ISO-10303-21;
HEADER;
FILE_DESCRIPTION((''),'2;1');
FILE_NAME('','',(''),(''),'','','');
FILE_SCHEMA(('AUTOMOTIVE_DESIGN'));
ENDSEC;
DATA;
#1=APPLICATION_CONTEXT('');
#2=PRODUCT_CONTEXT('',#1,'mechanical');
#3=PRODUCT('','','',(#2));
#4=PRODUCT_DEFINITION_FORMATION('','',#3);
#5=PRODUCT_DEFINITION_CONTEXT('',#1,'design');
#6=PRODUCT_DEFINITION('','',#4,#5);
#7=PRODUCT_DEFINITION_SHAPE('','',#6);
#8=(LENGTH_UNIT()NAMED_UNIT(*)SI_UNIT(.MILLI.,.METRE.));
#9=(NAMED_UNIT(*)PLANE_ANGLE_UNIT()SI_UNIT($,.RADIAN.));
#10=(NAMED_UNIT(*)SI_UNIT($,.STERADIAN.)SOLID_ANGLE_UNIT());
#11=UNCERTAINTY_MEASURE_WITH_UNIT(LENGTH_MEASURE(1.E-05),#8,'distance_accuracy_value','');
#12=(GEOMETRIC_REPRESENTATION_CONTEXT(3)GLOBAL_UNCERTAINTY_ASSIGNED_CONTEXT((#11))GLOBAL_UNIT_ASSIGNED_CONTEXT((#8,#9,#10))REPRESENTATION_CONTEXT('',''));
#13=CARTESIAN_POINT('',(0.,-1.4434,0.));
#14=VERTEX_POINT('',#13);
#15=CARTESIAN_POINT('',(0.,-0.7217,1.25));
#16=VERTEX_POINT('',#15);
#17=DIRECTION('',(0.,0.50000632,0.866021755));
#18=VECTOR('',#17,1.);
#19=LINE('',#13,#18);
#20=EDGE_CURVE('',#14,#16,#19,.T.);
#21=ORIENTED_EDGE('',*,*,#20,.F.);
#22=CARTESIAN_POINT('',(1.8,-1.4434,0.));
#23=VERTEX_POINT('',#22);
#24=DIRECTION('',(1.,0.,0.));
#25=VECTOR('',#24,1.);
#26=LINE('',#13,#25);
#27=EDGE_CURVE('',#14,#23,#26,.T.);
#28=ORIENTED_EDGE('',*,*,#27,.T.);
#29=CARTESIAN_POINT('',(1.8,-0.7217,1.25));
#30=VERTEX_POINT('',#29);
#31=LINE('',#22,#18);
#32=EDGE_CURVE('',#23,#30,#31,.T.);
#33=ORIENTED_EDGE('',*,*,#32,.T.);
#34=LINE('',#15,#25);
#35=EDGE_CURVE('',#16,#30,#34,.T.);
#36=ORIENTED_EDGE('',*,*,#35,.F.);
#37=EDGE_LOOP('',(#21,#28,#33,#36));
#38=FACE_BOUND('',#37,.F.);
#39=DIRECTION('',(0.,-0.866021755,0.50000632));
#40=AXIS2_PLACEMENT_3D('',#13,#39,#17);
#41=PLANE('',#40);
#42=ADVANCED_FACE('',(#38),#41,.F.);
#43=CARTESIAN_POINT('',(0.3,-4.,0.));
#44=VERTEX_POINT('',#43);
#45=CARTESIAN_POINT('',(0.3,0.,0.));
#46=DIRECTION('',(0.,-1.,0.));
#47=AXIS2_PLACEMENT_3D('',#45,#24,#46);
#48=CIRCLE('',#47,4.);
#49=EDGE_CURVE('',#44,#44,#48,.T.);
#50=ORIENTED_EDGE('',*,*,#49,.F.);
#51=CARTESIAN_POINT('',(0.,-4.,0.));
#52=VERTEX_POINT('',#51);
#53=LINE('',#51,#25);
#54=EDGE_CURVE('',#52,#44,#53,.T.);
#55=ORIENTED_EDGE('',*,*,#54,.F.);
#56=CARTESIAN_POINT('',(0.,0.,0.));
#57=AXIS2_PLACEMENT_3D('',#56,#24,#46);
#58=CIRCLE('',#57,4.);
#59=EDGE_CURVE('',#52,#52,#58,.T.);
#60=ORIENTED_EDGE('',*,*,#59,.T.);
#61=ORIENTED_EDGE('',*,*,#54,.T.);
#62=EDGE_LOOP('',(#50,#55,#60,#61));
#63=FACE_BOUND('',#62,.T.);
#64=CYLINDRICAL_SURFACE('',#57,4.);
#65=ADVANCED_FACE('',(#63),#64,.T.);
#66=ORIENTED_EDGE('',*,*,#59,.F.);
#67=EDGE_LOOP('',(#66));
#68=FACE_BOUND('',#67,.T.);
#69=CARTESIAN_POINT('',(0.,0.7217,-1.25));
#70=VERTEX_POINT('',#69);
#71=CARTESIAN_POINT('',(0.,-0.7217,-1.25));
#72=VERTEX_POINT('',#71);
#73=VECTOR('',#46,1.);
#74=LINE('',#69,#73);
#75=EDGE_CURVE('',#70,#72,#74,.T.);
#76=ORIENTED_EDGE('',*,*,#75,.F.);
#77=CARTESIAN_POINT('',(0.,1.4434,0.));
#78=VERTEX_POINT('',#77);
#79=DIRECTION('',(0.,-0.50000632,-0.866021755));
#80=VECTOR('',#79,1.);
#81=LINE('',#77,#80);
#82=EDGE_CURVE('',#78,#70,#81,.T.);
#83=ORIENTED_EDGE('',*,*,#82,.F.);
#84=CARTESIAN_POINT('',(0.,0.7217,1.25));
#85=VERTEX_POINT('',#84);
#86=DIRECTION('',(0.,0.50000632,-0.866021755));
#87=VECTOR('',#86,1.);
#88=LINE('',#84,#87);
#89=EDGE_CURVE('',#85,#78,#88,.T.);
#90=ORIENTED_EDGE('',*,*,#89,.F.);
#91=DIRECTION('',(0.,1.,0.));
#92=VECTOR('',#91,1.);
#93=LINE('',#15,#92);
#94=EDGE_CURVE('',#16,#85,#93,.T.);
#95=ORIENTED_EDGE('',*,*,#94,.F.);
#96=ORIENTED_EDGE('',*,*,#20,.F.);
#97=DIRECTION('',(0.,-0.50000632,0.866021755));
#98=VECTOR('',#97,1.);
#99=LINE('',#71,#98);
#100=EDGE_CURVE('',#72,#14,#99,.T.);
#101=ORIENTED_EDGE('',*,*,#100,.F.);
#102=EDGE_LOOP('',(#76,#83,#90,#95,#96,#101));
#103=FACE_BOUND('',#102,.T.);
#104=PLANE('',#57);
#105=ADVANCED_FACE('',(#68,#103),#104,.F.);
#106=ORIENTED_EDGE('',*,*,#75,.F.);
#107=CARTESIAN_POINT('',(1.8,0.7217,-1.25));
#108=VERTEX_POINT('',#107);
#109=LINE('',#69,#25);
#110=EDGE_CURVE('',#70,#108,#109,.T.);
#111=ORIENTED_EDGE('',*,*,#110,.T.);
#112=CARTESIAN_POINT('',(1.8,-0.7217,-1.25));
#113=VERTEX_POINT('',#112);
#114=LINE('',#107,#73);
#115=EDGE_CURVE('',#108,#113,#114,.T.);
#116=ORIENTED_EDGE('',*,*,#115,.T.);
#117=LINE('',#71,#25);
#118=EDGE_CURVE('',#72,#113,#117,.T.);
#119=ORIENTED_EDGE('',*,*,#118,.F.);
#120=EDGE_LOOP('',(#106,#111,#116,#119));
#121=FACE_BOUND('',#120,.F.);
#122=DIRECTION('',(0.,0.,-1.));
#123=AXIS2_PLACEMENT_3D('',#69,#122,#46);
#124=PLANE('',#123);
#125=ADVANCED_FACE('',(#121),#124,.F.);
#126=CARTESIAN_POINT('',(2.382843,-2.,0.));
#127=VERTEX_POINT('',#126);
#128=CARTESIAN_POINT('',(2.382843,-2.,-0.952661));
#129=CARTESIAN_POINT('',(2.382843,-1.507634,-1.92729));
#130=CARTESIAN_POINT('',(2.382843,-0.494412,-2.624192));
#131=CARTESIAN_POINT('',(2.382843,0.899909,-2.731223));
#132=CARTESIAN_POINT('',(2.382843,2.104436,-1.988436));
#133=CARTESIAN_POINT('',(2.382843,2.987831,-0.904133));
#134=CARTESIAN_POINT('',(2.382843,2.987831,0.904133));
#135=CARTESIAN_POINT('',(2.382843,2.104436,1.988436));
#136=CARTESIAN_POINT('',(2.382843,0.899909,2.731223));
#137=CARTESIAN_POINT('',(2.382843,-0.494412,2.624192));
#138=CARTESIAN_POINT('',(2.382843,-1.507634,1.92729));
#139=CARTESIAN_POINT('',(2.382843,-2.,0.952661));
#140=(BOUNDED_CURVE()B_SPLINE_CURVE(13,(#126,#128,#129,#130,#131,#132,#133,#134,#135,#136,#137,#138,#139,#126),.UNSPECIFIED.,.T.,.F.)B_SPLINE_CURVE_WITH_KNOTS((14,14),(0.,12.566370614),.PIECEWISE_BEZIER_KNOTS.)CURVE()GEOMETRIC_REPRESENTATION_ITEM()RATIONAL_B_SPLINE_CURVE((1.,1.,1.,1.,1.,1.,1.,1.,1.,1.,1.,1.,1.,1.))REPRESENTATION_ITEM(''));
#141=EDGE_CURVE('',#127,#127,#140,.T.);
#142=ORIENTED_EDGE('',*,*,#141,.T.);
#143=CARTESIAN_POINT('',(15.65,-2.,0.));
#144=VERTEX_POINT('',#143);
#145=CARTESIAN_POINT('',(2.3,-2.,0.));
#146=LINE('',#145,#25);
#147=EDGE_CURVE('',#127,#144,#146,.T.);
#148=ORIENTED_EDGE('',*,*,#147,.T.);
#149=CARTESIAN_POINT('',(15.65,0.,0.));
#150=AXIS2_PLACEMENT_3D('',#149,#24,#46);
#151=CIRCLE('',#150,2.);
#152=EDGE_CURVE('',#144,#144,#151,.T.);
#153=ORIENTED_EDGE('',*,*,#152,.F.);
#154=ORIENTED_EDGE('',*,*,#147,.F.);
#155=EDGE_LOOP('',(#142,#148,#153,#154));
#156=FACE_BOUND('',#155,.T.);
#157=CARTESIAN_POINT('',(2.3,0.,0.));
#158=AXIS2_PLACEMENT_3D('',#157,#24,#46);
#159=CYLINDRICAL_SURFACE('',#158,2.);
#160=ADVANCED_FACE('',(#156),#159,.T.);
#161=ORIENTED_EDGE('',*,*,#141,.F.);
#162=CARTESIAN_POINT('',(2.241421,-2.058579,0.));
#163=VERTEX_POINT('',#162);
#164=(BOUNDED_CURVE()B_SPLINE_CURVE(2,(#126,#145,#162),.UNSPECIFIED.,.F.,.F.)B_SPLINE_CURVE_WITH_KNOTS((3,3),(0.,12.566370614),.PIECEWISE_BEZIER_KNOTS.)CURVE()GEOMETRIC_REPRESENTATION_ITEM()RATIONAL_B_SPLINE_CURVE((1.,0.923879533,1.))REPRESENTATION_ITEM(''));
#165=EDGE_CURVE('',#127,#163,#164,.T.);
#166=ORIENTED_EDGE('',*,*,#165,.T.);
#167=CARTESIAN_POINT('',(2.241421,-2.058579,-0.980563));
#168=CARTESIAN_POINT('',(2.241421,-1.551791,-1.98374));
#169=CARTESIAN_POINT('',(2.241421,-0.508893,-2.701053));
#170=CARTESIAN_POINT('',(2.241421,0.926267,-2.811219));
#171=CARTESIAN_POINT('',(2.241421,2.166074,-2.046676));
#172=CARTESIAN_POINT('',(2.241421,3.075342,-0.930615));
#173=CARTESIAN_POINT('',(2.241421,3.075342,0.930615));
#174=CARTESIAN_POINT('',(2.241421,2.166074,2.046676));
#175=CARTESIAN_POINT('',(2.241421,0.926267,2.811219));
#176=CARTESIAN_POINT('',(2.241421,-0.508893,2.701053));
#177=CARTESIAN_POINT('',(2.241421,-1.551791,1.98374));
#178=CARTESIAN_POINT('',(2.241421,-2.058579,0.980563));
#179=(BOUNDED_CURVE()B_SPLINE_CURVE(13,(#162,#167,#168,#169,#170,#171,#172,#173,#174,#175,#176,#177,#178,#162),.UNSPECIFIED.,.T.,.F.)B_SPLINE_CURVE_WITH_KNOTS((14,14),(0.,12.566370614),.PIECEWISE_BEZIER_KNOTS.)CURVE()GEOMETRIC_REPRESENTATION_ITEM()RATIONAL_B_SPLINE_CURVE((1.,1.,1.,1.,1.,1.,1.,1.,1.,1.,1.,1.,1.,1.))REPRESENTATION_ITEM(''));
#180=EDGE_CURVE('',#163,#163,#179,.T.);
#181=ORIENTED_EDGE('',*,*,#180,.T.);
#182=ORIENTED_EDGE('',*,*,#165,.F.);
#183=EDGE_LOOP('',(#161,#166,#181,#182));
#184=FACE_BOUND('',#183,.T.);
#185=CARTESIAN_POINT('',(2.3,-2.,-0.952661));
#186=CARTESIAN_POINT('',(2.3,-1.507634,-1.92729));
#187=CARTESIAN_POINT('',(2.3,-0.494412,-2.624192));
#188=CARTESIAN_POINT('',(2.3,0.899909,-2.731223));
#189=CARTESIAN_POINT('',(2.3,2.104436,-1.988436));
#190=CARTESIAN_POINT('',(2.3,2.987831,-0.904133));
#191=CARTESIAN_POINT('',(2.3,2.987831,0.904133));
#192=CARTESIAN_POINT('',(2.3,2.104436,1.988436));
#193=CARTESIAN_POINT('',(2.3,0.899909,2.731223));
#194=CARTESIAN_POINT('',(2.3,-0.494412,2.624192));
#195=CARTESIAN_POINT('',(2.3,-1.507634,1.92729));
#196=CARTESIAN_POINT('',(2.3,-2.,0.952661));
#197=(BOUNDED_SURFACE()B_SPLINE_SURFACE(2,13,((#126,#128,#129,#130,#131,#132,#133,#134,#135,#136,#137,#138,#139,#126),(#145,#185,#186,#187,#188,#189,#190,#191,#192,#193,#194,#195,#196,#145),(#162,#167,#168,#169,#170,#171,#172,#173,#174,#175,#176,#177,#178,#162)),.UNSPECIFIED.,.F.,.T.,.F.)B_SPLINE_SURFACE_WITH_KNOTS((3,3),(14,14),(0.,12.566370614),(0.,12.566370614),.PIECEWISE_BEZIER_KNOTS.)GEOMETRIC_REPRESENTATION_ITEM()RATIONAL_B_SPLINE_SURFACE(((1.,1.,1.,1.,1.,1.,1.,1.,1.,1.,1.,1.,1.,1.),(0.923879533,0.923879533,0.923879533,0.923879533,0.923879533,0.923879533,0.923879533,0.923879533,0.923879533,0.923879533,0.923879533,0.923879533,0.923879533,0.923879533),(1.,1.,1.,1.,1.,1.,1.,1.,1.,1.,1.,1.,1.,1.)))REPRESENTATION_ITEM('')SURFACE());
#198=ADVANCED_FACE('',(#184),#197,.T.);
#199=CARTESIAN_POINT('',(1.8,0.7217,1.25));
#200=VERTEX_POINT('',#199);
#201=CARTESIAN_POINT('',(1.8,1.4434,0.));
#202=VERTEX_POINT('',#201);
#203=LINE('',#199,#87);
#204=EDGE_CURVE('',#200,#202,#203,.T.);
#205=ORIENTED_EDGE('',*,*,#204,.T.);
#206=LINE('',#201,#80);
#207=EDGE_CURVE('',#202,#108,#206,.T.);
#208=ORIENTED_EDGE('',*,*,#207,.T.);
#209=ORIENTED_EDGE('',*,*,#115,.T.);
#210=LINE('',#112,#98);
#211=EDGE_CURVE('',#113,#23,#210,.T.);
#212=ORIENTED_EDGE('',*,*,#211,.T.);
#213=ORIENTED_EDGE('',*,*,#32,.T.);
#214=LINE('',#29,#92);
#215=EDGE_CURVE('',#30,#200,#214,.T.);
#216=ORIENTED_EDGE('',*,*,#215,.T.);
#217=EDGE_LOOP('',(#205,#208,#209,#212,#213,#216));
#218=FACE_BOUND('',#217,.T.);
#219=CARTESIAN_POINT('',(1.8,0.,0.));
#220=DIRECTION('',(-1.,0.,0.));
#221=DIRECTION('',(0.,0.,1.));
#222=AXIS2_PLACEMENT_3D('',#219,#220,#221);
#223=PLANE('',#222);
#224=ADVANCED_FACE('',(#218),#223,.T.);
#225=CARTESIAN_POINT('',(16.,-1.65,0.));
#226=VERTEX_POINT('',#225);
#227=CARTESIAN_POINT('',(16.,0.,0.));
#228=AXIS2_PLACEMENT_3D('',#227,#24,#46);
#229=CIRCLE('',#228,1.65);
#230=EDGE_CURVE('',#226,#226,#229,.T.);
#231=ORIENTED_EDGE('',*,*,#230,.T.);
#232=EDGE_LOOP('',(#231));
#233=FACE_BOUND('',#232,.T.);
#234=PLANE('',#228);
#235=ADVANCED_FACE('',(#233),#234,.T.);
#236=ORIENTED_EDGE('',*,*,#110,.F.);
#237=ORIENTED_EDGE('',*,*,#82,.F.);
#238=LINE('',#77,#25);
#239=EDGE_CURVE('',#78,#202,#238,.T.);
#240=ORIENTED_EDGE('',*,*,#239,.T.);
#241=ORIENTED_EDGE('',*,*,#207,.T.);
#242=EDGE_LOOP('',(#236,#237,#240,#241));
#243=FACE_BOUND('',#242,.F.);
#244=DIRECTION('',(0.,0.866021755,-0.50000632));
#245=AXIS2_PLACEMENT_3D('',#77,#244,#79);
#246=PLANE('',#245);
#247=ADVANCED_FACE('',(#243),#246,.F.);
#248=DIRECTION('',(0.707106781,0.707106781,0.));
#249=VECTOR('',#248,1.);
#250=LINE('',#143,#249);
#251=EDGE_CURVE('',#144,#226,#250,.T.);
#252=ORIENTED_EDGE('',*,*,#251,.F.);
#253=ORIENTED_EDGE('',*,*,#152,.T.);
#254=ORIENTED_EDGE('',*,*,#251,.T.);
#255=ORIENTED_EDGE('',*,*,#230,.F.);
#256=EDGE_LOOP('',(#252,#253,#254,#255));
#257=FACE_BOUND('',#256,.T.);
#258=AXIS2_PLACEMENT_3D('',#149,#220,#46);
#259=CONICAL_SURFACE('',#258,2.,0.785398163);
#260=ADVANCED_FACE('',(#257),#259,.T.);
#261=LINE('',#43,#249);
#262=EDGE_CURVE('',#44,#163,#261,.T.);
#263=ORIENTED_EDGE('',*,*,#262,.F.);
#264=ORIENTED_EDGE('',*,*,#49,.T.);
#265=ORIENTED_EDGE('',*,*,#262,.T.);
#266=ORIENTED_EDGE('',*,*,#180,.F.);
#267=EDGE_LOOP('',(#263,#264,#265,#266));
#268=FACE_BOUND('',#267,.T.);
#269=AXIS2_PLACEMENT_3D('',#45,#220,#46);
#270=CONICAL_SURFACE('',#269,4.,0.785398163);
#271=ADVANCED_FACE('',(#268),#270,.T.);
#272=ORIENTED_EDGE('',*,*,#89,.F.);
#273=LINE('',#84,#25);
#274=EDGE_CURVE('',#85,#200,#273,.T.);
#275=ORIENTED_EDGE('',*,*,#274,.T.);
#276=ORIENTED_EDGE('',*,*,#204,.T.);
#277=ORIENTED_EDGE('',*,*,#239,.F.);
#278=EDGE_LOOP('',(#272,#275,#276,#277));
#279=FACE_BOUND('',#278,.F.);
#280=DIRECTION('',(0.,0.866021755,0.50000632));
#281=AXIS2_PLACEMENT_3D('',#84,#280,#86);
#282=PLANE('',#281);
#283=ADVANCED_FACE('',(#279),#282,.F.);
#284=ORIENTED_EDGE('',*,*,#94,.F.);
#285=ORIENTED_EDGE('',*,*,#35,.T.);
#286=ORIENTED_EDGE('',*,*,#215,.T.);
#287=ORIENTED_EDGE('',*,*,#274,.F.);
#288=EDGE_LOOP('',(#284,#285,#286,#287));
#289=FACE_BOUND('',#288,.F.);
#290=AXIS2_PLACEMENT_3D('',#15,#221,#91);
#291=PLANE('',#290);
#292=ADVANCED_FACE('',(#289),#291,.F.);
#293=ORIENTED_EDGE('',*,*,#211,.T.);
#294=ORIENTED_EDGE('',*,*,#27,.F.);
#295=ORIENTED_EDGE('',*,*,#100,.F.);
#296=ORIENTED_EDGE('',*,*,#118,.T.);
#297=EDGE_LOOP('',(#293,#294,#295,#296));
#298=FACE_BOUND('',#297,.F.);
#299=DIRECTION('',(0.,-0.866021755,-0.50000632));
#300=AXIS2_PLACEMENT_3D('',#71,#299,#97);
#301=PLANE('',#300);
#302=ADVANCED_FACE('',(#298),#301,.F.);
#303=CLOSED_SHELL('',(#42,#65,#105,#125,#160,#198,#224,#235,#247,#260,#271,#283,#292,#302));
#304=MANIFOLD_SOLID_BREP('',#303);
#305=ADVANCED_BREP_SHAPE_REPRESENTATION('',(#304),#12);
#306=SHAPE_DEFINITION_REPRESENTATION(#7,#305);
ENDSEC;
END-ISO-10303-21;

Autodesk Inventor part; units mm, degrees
ref_plane "YZ Plane" through (0, 0, 0) normal (1, 0, 0) x (0, 1, 0)
sketch "Skizze1" plane through (0, 0, 0) normal (0, 1, 0) x (-1, 0, 0)
  point P0 (0, 0)
sketch "Skizze2" plane through (0, 0, 0) normal (0, 0, 1) x (-1, 0, 0)
  line L0 (-16, 2) -> (-16, 0)
  line L1 (-2.3, 2) -> (-16, 2)
  line L2 (-0.3, 4) -> (-2.3, 2)
  line L3 (0, 4) -> (-0.3, 4)
  line L4 (0, 0) -> (0, 4)
  line L5 (-16, 0) -> (0, 0)
  line L6 (-16, 0) -> (0, 0)
  line L7 (0, -9.6) -> (0, 1.6) projected
  line L8 (3.2, 0) -> (-19.2, 0) projected
  dimension "ParC" = 0.3
  dimension "d43" = 45
  dimension "d44" = 4
  dimension "d45" = 2
  dimension "d46" = 16
  dimension "d47" = 0
  dimension "d48" = 0
revolve "Drehung1" add sketch "Skizze2" angle 360 about axis through (16, 0, 0) along (1, 0, 0)
sketch "Skizze3" plane through (0, 0, 0) normal (-1, 0, 0) x (0, 0, 1)
  line L0 (-1.25, 0.7217) -> (-1.25, -0.7217)
  line L1 (0, 1.4434) -> (-1.25, 0.7217)
  line L2 (1.25, 0.7217) -> (0, 1.4434)
  line L3 (1.25, -0.7217) -> (1.25, 0.7217)
  line L4 (0, -1.4434) -> (1.25, -0.7217)
  line L5 (-1.25, -0.7217) -> (0, -1.4434)
  circle A0 centre (0, 0) radius 1.25 construction
  circle A1 centre (0, 0) radius 2 construction
  dimension "d11" = 2.5
  dimension "d13" = 120
  dimension "d15" = 120
extrude "Extrusion1" cut sketch "Skizze3" against normal blind 1.8
fillet "Rundung1" radius 0.2 1 edges at (2.3, 2, 0)
chamfer "Fase1" distance 0.35 angle 45 1 edges at (16, 2, 0) measured on face at (11.4609, 0.9288, -1.7713)
thread "Gewinde1" size "M4x0.7" class "6g" standard "ISO Metric profile" length 12.3
ref_plane "MSC_PF1" through (0, 0, 0) normal (1, 0, 0) x (0, 1, 0)
ref_plane "MSC_PT1" through (0, 0, 0) normal (1, 0, 0) x (0, 1, 0)
equation "\"d43\" = 0.5 * ang"
equation "\"d44\" = 0.5 * dk"
equation "\"d45\" = 0.5 * NND"
equation "\"d46\" = NLG"
equation "\"d11\" = ParS"
equation "\"d16\" = ParT"
equation "\"d18\" = r"
equation "\"d19\" = 0.5 * PTC"
equation "\"d39\" = 0.5 * PTC"
equation "\"NND\" = 4"
equation "\"PTC\" = 0.7"
equation "\"dk\" = 8"
equation "\"ParK\" = 2.3"
equation "\"ParS\" = 2.5"
equation "\"ParT\" = 1.8"
equation "\"r\" = 0.2"
equation "\"NLG\" = 16"
equation "\"ang\" = 90deg"
equation "\"THREADDIA\" = NND"
properties part number "ISO 10642 - M4 x  16" material "Stahl"
